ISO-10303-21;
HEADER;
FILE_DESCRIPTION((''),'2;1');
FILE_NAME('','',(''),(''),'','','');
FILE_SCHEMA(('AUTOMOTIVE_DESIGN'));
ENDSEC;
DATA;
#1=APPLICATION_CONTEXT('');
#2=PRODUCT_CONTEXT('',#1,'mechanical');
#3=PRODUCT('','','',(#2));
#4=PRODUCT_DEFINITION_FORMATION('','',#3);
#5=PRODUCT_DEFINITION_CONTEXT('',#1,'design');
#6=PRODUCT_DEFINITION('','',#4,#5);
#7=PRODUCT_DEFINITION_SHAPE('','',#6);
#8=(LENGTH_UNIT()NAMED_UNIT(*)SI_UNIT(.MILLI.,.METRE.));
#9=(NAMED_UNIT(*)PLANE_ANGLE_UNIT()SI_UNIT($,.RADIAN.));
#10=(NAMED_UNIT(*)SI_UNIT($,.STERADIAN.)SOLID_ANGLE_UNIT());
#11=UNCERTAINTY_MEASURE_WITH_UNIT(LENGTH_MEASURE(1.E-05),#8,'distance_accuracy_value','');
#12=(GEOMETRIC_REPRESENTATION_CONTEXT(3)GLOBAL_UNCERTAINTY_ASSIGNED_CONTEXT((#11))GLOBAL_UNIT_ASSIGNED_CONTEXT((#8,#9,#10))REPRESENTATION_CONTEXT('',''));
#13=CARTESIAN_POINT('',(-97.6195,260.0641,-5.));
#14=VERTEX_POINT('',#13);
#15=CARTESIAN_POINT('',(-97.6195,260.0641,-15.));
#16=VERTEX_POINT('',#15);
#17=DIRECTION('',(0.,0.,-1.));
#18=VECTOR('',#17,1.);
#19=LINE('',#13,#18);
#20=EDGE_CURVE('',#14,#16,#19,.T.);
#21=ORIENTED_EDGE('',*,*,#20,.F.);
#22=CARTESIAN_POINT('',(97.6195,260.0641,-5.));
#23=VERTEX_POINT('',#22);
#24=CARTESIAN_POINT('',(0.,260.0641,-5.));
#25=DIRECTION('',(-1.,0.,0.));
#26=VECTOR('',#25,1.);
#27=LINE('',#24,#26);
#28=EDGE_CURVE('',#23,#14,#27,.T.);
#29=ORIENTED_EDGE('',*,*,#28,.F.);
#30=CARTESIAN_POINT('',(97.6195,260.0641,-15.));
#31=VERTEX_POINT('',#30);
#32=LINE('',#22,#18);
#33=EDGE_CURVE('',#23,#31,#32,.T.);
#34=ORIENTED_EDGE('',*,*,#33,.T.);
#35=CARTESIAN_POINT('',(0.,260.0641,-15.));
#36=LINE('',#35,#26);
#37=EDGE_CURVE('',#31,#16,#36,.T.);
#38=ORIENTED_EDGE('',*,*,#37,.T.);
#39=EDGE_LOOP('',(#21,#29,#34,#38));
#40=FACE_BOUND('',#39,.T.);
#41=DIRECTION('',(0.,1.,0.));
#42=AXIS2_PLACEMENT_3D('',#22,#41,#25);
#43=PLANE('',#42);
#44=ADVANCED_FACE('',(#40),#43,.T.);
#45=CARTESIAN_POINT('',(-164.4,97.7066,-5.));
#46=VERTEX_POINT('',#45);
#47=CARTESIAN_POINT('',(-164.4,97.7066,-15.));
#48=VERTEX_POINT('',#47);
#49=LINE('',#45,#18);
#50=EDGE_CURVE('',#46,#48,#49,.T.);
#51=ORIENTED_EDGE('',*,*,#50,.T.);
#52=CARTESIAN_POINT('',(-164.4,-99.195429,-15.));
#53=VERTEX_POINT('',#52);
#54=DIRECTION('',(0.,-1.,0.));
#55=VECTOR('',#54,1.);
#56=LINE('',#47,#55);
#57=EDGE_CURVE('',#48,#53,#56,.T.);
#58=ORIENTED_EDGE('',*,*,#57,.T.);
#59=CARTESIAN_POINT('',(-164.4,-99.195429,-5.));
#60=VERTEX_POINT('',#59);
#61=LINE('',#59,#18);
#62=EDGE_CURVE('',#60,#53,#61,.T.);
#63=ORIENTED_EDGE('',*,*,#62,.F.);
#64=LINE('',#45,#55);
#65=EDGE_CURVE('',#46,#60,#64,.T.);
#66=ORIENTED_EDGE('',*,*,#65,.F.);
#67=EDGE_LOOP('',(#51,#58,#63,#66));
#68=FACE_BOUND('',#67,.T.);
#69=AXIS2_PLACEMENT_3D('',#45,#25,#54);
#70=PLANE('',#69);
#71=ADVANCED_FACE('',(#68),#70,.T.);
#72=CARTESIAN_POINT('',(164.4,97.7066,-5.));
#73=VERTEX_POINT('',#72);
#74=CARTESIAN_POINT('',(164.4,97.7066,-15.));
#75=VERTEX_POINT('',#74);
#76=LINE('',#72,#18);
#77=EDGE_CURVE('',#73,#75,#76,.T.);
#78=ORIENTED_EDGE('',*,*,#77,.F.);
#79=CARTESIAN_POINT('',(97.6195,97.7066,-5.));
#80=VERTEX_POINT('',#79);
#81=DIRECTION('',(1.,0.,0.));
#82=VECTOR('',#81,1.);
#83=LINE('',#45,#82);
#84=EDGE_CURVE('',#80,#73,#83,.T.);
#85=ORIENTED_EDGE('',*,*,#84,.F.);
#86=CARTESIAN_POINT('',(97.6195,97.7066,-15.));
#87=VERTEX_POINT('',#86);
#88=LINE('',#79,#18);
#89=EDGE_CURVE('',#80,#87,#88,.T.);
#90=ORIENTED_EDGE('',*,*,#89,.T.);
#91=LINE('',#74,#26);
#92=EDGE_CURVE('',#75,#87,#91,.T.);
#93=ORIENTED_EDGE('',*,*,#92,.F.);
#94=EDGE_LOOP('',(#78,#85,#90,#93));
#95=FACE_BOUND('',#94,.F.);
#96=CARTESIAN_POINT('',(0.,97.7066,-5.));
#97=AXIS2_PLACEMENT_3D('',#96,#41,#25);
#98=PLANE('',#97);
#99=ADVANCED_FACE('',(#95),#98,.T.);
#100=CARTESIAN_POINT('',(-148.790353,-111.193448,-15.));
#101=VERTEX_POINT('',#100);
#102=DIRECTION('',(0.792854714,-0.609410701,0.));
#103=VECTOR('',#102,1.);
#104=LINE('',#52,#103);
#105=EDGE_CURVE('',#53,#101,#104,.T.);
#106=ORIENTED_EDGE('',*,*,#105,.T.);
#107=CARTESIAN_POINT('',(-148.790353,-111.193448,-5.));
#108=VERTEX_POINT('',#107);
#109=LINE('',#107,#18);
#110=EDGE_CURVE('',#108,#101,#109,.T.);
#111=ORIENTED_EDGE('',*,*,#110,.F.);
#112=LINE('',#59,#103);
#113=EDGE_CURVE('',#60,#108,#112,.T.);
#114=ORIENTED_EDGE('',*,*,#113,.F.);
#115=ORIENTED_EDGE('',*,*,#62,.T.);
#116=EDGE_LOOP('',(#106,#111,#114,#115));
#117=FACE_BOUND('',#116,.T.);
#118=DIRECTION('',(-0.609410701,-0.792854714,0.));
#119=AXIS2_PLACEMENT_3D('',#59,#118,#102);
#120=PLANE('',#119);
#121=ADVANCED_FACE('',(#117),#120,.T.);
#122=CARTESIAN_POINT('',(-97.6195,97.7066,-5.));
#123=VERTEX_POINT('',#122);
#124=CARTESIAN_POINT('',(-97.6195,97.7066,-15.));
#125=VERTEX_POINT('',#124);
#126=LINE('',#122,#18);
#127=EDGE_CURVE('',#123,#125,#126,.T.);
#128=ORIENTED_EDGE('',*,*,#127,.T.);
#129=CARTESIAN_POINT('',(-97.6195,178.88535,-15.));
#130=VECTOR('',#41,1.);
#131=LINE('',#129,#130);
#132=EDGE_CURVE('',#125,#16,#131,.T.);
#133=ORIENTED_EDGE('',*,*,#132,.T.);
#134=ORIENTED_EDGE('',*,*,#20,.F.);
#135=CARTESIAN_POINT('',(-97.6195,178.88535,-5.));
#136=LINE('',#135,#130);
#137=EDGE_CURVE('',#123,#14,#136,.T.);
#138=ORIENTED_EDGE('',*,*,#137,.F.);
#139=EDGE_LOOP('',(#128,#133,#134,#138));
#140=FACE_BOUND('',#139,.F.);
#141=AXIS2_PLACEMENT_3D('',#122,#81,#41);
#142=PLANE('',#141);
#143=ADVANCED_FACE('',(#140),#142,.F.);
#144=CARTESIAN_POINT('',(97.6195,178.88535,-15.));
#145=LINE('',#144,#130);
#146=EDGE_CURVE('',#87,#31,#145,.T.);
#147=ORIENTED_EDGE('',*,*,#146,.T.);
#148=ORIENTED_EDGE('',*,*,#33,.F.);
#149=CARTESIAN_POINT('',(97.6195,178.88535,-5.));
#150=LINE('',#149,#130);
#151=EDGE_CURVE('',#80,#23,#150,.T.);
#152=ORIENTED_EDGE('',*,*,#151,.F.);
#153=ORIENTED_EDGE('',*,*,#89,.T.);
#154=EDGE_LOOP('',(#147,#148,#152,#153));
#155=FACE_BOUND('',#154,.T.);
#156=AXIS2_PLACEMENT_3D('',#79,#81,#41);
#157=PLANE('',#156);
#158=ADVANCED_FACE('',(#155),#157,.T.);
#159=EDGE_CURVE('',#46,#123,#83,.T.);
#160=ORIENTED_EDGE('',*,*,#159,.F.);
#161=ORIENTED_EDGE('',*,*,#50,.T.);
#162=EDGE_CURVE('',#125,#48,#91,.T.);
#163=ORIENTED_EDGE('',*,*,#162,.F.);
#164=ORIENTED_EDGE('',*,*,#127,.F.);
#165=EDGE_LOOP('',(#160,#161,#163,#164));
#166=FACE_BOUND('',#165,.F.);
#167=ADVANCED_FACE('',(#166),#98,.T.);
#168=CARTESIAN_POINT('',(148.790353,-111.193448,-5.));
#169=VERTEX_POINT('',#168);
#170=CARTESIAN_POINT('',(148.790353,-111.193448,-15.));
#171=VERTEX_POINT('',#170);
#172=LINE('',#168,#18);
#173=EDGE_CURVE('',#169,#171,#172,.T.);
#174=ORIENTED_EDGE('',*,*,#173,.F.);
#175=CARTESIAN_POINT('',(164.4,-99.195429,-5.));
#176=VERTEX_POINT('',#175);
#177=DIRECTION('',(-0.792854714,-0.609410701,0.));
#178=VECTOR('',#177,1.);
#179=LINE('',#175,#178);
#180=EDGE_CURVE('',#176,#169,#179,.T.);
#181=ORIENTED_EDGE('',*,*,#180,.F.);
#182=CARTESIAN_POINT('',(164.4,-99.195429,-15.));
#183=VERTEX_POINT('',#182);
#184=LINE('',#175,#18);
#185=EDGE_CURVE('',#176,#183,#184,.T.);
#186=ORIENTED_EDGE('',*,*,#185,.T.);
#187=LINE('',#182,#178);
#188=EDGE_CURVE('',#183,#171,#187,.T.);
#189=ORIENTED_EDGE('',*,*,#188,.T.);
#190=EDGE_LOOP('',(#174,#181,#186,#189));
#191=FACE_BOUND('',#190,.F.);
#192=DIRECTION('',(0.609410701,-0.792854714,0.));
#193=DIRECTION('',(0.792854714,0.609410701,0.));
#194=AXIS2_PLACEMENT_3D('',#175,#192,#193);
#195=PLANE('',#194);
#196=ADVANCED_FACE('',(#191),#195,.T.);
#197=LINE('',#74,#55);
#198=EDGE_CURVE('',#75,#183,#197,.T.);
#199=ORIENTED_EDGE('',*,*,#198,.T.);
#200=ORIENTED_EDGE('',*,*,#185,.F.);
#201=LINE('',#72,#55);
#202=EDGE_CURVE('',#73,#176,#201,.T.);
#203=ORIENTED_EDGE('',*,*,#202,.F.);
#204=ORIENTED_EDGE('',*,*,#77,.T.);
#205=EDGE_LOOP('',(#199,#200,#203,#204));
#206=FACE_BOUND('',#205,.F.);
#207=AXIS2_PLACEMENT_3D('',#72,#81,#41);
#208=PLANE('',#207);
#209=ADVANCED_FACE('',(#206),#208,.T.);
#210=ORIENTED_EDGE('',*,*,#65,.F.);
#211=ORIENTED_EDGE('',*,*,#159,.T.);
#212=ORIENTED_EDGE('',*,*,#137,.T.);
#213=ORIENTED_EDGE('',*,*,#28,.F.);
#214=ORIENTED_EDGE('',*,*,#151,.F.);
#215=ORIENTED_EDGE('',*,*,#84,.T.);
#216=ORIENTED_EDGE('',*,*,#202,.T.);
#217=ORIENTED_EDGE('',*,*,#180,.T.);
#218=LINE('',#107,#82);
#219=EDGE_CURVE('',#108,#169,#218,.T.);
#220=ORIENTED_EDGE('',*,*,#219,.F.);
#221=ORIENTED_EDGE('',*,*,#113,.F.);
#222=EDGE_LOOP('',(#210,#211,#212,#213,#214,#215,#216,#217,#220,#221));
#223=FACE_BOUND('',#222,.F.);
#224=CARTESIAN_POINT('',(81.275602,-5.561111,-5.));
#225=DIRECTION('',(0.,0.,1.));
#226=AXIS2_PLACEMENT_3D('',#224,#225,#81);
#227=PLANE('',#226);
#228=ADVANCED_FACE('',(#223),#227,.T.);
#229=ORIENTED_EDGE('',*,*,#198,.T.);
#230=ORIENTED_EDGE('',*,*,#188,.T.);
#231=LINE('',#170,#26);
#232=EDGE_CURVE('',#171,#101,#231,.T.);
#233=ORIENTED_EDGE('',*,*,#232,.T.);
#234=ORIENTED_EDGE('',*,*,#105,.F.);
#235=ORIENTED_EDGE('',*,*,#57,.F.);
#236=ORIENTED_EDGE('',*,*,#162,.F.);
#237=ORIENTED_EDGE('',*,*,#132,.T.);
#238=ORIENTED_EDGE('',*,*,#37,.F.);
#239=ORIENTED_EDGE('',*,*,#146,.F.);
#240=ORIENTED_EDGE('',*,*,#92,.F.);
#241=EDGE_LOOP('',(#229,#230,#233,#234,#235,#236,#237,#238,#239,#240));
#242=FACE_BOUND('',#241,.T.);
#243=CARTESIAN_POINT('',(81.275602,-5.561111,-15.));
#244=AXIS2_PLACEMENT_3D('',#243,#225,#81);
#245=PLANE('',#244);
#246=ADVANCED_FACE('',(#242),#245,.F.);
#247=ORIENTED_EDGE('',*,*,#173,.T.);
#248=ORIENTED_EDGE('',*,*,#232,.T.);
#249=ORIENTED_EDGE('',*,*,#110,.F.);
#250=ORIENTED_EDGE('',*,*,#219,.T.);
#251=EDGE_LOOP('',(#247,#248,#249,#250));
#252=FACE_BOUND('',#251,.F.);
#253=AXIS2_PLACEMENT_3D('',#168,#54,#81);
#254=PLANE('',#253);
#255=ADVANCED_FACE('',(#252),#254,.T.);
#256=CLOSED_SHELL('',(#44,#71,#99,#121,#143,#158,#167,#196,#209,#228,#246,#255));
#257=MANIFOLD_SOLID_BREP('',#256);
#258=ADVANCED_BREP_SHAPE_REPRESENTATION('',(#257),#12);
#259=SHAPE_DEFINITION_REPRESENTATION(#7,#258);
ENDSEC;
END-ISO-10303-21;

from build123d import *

# Parameters (mm, degrees)
PAD094_DEPTH = 10
SKETCH228_W  = 195.239
SKETCH228_H  = 162.3575
PAD117_DEPTH = 10


with BuildPart() as part:
    # Sketch187 → Pad094 (new body)
    with BuildSketch(Plane(origin=(0, 0, 0), x_dir=(-1, 0, 0), z_dir=(0, 0, -1))):
        Polygon((0, 97.7066), (164.4, 97.7066), (164.4, -99.195429), (148.790353, -111.193448), (0, -111.193448), align=None)
    pad094 = extrude(amount=PAD094_DEPTH)

    # Mirrored033: Pad094 across Sketch187 V_Axis
    add(pad094.mirror(Plane(origin=(0, 0, 0), x_dir=(0, 0, -1), z_dir=(-1, 0, 0))))

    # Sketch228 → Pad117 (join)
    with BuildSketch(Plane(origin=(0, 0, 0), x_dir=(-1, 0, 0), z_dir=(0, 0, -1))):
        with Locations((0, 178.88535)):
            Rectangle(SKETCH228_W, SKETCH228_H)
    extrude(amount=PAD117_DEPTH)


with BuildPart() as part_1:
    # Body072 placement: moved
    add(part.part.moved(Location((0, 0, -5))))


solid = part_1.part
